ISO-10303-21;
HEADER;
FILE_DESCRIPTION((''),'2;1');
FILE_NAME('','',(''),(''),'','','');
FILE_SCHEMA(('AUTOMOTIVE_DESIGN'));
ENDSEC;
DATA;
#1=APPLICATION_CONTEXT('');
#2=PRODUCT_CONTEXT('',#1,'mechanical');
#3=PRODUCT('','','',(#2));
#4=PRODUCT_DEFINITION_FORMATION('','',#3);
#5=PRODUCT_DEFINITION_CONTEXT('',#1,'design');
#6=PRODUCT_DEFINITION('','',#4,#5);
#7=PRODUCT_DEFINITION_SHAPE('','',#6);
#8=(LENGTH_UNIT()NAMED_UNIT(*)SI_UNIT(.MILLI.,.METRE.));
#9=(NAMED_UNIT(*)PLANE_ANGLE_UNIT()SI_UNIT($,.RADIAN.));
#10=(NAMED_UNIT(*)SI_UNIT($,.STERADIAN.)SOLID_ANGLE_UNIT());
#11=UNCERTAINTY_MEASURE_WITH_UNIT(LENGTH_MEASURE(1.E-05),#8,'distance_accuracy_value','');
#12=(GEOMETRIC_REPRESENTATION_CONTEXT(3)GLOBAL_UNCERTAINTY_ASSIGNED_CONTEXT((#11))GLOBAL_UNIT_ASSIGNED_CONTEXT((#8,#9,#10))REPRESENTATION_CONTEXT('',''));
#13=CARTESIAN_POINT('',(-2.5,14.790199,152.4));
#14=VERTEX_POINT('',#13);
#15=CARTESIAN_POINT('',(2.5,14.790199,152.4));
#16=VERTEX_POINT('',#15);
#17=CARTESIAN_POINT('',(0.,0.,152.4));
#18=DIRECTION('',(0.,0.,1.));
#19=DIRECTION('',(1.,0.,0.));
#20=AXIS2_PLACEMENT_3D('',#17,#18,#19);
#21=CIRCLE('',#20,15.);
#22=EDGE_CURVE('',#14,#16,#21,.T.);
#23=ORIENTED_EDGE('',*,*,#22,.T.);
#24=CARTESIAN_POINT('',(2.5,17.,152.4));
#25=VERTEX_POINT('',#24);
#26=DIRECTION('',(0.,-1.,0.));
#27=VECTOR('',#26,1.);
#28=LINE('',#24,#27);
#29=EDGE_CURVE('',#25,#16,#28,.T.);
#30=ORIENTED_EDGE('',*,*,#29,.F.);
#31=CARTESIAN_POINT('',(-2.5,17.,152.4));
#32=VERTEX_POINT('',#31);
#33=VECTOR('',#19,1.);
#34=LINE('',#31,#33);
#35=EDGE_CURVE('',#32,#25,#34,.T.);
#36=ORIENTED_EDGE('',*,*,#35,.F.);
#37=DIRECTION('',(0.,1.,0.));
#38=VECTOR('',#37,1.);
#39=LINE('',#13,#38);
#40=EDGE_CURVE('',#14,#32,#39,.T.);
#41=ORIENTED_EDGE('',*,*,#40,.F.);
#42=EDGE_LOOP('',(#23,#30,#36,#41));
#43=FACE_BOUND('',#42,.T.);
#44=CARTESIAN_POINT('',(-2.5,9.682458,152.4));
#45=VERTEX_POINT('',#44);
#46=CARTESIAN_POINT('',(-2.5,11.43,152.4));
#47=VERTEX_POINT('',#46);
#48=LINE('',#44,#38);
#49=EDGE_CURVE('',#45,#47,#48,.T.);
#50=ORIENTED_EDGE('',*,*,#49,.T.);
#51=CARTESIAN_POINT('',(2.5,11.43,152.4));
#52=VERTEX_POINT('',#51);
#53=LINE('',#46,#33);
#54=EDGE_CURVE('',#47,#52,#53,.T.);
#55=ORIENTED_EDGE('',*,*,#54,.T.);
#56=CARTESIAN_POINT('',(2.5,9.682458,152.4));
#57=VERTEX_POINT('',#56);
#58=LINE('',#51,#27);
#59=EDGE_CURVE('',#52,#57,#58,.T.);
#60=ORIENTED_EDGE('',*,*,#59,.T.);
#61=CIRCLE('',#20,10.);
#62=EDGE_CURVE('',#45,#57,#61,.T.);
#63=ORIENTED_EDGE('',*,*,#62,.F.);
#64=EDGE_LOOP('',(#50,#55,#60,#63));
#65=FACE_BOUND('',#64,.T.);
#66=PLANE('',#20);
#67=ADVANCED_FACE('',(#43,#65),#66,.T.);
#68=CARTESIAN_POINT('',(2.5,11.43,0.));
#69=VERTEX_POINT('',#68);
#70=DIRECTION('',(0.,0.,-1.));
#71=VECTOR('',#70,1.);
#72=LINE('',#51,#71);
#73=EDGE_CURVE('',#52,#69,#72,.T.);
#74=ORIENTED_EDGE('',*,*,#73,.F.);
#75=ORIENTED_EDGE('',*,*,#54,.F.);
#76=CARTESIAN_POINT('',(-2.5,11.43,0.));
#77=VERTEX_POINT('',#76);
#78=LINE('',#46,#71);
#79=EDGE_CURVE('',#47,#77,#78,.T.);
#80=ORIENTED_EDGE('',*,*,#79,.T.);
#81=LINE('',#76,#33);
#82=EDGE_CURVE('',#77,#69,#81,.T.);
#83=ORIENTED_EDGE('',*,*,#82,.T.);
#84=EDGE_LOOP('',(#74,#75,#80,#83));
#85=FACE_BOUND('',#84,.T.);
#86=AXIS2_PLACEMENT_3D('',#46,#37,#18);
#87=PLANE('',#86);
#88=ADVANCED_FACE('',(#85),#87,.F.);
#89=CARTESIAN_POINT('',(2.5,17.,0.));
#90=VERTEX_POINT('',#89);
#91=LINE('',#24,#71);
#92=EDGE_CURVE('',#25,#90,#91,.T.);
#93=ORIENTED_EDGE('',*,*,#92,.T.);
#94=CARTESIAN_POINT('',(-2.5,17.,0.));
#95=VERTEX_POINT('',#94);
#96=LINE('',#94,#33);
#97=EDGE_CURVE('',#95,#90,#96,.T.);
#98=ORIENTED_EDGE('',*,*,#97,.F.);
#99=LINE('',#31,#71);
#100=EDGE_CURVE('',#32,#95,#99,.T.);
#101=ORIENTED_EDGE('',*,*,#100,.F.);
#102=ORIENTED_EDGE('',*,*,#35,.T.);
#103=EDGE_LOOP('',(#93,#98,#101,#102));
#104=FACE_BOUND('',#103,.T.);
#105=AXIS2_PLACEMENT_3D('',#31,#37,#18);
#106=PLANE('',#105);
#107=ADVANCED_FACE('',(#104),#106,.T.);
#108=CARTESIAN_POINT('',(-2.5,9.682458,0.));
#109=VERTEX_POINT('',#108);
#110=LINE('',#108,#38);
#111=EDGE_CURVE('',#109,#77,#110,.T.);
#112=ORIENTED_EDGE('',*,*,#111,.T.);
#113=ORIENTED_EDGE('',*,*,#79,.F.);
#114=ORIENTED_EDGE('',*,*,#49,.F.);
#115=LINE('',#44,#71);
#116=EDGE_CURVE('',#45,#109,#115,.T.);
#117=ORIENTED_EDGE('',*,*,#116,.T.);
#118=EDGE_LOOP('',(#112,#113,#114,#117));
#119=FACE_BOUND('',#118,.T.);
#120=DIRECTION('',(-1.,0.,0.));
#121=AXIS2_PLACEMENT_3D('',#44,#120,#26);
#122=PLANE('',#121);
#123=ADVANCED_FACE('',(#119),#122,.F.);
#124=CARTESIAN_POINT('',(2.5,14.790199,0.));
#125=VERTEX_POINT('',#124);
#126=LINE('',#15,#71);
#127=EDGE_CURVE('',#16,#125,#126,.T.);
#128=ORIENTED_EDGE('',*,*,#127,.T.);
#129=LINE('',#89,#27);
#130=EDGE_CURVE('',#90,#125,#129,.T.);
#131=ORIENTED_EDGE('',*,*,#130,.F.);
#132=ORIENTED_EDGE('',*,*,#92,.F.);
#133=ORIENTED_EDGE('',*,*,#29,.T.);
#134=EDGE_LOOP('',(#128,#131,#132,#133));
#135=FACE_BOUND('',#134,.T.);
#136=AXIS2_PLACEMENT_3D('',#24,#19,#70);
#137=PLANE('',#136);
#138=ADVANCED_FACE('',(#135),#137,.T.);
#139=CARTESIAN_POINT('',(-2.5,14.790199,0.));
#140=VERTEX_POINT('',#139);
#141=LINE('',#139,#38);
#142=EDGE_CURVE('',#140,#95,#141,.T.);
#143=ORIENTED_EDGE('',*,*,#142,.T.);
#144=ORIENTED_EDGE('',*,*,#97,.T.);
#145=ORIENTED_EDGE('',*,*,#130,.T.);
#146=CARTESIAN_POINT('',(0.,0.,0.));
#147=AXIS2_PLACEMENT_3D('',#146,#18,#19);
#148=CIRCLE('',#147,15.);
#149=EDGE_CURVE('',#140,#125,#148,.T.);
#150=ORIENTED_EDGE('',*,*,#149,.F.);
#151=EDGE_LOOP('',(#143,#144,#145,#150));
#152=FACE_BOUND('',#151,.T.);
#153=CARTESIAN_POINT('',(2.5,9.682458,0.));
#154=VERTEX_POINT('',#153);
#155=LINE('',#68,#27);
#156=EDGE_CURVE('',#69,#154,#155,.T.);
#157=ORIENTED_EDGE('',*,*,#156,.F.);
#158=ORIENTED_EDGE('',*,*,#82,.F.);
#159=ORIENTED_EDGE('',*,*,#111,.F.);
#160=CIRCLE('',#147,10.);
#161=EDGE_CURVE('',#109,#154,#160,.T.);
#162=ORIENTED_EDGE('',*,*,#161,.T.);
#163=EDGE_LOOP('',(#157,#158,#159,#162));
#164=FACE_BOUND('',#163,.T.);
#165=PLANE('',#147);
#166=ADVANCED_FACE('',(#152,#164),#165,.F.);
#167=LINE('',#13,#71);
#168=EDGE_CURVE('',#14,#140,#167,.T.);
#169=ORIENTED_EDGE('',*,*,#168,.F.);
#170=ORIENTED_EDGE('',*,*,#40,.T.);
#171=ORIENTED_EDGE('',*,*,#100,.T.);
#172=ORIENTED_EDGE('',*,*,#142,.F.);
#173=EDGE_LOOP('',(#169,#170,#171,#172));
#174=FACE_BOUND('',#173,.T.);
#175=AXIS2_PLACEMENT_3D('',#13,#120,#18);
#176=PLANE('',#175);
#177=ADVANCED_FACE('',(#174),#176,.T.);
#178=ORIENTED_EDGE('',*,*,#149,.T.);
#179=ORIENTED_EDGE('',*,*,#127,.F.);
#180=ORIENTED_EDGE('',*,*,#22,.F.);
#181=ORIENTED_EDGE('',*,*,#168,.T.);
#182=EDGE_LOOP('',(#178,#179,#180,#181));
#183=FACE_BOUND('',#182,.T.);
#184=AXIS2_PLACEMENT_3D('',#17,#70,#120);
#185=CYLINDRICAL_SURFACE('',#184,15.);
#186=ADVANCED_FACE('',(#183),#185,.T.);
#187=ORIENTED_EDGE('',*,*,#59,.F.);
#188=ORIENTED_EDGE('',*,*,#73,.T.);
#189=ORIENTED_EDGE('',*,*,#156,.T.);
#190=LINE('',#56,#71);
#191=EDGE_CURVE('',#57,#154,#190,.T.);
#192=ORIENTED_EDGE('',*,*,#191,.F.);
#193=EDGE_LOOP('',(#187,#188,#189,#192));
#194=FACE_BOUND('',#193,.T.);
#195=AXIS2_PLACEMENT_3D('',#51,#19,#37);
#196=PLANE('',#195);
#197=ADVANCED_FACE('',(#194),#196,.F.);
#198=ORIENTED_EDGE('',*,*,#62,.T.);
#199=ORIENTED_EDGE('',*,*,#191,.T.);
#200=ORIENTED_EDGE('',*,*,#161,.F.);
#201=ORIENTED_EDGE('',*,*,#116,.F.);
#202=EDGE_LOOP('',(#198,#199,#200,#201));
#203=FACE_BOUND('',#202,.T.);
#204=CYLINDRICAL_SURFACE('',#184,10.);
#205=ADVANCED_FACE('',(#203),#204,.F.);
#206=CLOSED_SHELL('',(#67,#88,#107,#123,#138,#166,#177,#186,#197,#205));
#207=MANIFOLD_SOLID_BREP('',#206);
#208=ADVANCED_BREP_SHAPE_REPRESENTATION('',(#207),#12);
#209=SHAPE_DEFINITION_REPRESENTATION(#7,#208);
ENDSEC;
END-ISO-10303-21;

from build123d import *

# Parameters (mm, degrees)
BOSS_EXTRUDE1_DEPTH = 152.4


with BuildPart() as part:
    # Sketch1 → Boss-Extrude1 (new body)
    with BuildSketch(Plane.XY):
        with BuildLine():
            Line((-2.5, 14.790199458), (-2.5, 17))
            Line((-2.5, 17), (2.5, 17))
            Line((2.5, 17), (2.5, 14.790199458))
            ThreePointArc((2.5, 14.790199458), (0, -15), (-2.5, 14.790199458))
        make_face()
        with BuildLine():
            Line((-2.5, 9.682458366), (-2.5, 11.43))
            Line((-2.5, 11.43), (2.5, 11.43))
            Line((2.5, 11.43), (2.5, 9.682458366))
            ThreePointArc((2.5, 9.682458366), (0, -10), (-2.5, 9.682458366))
        make_face(mode=Mode.SUBTRACT)
    extrude(amount=BOSS_EXTRUDE1_DEPTH)


solid = part.part
